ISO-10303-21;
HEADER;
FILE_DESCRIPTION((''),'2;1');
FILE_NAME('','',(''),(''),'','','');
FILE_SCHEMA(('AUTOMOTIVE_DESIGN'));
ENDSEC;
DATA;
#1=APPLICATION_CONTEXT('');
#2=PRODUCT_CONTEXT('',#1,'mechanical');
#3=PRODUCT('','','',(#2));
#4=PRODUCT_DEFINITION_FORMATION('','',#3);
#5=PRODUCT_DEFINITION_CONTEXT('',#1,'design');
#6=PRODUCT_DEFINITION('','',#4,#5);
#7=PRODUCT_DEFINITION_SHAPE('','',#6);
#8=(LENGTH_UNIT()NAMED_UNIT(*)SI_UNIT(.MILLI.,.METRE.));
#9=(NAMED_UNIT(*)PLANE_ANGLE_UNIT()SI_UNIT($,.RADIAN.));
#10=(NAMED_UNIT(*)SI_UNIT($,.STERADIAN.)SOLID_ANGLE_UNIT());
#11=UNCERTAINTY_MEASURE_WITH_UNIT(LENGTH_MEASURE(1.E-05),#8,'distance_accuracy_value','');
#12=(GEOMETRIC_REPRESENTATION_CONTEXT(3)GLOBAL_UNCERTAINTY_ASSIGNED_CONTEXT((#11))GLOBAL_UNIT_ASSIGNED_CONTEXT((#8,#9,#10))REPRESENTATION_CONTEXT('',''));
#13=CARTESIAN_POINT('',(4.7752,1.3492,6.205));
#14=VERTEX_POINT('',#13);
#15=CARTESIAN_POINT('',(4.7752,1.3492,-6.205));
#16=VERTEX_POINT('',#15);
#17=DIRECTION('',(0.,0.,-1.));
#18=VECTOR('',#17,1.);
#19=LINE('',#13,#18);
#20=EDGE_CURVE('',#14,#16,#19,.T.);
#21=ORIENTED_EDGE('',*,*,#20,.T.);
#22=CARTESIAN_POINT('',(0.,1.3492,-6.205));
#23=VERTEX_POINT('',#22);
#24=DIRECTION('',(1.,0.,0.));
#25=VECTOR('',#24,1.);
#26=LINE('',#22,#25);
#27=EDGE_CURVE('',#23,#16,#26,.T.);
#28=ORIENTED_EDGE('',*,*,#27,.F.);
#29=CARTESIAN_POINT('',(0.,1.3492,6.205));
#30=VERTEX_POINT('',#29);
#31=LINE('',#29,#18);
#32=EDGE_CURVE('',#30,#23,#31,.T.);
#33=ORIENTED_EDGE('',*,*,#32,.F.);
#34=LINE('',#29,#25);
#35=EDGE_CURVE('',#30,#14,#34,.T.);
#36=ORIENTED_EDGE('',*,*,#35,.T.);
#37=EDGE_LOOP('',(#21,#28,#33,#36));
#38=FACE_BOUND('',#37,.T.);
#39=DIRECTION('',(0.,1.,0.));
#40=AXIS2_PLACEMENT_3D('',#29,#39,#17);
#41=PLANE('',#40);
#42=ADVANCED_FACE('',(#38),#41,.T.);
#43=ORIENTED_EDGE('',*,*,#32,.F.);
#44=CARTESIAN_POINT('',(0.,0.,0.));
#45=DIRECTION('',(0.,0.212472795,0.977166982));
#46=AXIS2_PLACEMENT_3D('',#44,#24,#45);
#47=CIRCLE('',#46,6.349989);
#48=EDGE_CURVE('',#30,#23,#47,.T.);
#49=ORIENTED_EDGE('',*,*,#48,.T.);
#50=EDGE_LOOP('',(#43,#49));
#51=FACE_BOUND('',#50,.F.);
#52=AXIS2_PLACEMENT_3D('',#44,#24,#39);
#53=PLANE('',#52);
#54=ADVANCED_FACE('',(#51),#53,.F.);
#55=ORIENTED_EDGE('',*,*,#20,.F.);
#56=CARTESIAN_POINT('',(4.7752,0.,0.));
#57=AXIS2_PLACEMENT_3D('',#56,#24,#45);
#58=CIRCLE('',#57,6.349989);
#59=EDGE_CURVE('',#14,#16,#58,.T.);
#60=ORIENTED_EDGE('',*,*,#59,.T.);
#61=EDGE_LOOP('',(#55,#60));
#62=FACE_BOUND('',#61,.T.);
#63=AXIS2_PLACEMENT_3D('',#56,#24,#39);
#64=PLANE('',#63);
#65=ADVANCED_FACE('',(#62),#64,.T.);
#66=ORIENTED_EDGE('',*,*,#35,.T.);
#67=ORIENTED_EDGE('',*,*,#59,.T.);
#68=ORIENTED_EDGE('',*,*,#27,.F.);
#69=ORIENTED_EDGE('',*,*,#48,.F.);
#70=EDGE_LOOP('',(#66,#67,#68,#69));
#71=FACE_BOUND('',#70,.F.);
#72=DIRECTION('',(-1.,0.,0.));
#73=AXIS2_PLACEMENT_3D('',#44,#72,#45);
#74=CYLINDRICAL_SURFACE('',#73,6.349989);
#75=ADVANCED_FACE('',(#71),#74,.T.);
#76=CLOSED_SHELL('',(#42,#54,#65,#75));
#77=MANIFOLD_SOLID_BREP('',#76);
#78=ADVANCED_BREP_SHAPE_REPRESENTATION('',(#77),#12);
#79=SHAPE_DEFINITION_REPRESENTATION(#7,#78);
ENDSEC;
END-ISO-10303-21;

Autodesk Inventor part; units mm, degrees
ref_plane "YZ Plane" through (0, 0, 0) normal (1, 0, 0) x (0, 1, 0)
ref_plane "XZ Plane" through (0, 0, 0) normal (0, 1, 0) x (-1, 0, 0)
ref_plane "XY Plane" through (0, 0, 0) normal (0, 0, 1) x (1, 0, 0)
sketch "Sketch1" plane through (0, 0, 0) normal (1, 0, 0) x (0, 1, 0)
  arc A0 (1.3492, 6.205) -> (1.3492, -6.205) centre (0, 0) ccw
  line L0 (1.3492, 6.205) -> (1.3492, -6.205)
  dimension "d0" = 12.7
extrude "Extrusion1" add sketch "Sketch1" along normal blind 4.7752
properties part number "WoodruffKey"
